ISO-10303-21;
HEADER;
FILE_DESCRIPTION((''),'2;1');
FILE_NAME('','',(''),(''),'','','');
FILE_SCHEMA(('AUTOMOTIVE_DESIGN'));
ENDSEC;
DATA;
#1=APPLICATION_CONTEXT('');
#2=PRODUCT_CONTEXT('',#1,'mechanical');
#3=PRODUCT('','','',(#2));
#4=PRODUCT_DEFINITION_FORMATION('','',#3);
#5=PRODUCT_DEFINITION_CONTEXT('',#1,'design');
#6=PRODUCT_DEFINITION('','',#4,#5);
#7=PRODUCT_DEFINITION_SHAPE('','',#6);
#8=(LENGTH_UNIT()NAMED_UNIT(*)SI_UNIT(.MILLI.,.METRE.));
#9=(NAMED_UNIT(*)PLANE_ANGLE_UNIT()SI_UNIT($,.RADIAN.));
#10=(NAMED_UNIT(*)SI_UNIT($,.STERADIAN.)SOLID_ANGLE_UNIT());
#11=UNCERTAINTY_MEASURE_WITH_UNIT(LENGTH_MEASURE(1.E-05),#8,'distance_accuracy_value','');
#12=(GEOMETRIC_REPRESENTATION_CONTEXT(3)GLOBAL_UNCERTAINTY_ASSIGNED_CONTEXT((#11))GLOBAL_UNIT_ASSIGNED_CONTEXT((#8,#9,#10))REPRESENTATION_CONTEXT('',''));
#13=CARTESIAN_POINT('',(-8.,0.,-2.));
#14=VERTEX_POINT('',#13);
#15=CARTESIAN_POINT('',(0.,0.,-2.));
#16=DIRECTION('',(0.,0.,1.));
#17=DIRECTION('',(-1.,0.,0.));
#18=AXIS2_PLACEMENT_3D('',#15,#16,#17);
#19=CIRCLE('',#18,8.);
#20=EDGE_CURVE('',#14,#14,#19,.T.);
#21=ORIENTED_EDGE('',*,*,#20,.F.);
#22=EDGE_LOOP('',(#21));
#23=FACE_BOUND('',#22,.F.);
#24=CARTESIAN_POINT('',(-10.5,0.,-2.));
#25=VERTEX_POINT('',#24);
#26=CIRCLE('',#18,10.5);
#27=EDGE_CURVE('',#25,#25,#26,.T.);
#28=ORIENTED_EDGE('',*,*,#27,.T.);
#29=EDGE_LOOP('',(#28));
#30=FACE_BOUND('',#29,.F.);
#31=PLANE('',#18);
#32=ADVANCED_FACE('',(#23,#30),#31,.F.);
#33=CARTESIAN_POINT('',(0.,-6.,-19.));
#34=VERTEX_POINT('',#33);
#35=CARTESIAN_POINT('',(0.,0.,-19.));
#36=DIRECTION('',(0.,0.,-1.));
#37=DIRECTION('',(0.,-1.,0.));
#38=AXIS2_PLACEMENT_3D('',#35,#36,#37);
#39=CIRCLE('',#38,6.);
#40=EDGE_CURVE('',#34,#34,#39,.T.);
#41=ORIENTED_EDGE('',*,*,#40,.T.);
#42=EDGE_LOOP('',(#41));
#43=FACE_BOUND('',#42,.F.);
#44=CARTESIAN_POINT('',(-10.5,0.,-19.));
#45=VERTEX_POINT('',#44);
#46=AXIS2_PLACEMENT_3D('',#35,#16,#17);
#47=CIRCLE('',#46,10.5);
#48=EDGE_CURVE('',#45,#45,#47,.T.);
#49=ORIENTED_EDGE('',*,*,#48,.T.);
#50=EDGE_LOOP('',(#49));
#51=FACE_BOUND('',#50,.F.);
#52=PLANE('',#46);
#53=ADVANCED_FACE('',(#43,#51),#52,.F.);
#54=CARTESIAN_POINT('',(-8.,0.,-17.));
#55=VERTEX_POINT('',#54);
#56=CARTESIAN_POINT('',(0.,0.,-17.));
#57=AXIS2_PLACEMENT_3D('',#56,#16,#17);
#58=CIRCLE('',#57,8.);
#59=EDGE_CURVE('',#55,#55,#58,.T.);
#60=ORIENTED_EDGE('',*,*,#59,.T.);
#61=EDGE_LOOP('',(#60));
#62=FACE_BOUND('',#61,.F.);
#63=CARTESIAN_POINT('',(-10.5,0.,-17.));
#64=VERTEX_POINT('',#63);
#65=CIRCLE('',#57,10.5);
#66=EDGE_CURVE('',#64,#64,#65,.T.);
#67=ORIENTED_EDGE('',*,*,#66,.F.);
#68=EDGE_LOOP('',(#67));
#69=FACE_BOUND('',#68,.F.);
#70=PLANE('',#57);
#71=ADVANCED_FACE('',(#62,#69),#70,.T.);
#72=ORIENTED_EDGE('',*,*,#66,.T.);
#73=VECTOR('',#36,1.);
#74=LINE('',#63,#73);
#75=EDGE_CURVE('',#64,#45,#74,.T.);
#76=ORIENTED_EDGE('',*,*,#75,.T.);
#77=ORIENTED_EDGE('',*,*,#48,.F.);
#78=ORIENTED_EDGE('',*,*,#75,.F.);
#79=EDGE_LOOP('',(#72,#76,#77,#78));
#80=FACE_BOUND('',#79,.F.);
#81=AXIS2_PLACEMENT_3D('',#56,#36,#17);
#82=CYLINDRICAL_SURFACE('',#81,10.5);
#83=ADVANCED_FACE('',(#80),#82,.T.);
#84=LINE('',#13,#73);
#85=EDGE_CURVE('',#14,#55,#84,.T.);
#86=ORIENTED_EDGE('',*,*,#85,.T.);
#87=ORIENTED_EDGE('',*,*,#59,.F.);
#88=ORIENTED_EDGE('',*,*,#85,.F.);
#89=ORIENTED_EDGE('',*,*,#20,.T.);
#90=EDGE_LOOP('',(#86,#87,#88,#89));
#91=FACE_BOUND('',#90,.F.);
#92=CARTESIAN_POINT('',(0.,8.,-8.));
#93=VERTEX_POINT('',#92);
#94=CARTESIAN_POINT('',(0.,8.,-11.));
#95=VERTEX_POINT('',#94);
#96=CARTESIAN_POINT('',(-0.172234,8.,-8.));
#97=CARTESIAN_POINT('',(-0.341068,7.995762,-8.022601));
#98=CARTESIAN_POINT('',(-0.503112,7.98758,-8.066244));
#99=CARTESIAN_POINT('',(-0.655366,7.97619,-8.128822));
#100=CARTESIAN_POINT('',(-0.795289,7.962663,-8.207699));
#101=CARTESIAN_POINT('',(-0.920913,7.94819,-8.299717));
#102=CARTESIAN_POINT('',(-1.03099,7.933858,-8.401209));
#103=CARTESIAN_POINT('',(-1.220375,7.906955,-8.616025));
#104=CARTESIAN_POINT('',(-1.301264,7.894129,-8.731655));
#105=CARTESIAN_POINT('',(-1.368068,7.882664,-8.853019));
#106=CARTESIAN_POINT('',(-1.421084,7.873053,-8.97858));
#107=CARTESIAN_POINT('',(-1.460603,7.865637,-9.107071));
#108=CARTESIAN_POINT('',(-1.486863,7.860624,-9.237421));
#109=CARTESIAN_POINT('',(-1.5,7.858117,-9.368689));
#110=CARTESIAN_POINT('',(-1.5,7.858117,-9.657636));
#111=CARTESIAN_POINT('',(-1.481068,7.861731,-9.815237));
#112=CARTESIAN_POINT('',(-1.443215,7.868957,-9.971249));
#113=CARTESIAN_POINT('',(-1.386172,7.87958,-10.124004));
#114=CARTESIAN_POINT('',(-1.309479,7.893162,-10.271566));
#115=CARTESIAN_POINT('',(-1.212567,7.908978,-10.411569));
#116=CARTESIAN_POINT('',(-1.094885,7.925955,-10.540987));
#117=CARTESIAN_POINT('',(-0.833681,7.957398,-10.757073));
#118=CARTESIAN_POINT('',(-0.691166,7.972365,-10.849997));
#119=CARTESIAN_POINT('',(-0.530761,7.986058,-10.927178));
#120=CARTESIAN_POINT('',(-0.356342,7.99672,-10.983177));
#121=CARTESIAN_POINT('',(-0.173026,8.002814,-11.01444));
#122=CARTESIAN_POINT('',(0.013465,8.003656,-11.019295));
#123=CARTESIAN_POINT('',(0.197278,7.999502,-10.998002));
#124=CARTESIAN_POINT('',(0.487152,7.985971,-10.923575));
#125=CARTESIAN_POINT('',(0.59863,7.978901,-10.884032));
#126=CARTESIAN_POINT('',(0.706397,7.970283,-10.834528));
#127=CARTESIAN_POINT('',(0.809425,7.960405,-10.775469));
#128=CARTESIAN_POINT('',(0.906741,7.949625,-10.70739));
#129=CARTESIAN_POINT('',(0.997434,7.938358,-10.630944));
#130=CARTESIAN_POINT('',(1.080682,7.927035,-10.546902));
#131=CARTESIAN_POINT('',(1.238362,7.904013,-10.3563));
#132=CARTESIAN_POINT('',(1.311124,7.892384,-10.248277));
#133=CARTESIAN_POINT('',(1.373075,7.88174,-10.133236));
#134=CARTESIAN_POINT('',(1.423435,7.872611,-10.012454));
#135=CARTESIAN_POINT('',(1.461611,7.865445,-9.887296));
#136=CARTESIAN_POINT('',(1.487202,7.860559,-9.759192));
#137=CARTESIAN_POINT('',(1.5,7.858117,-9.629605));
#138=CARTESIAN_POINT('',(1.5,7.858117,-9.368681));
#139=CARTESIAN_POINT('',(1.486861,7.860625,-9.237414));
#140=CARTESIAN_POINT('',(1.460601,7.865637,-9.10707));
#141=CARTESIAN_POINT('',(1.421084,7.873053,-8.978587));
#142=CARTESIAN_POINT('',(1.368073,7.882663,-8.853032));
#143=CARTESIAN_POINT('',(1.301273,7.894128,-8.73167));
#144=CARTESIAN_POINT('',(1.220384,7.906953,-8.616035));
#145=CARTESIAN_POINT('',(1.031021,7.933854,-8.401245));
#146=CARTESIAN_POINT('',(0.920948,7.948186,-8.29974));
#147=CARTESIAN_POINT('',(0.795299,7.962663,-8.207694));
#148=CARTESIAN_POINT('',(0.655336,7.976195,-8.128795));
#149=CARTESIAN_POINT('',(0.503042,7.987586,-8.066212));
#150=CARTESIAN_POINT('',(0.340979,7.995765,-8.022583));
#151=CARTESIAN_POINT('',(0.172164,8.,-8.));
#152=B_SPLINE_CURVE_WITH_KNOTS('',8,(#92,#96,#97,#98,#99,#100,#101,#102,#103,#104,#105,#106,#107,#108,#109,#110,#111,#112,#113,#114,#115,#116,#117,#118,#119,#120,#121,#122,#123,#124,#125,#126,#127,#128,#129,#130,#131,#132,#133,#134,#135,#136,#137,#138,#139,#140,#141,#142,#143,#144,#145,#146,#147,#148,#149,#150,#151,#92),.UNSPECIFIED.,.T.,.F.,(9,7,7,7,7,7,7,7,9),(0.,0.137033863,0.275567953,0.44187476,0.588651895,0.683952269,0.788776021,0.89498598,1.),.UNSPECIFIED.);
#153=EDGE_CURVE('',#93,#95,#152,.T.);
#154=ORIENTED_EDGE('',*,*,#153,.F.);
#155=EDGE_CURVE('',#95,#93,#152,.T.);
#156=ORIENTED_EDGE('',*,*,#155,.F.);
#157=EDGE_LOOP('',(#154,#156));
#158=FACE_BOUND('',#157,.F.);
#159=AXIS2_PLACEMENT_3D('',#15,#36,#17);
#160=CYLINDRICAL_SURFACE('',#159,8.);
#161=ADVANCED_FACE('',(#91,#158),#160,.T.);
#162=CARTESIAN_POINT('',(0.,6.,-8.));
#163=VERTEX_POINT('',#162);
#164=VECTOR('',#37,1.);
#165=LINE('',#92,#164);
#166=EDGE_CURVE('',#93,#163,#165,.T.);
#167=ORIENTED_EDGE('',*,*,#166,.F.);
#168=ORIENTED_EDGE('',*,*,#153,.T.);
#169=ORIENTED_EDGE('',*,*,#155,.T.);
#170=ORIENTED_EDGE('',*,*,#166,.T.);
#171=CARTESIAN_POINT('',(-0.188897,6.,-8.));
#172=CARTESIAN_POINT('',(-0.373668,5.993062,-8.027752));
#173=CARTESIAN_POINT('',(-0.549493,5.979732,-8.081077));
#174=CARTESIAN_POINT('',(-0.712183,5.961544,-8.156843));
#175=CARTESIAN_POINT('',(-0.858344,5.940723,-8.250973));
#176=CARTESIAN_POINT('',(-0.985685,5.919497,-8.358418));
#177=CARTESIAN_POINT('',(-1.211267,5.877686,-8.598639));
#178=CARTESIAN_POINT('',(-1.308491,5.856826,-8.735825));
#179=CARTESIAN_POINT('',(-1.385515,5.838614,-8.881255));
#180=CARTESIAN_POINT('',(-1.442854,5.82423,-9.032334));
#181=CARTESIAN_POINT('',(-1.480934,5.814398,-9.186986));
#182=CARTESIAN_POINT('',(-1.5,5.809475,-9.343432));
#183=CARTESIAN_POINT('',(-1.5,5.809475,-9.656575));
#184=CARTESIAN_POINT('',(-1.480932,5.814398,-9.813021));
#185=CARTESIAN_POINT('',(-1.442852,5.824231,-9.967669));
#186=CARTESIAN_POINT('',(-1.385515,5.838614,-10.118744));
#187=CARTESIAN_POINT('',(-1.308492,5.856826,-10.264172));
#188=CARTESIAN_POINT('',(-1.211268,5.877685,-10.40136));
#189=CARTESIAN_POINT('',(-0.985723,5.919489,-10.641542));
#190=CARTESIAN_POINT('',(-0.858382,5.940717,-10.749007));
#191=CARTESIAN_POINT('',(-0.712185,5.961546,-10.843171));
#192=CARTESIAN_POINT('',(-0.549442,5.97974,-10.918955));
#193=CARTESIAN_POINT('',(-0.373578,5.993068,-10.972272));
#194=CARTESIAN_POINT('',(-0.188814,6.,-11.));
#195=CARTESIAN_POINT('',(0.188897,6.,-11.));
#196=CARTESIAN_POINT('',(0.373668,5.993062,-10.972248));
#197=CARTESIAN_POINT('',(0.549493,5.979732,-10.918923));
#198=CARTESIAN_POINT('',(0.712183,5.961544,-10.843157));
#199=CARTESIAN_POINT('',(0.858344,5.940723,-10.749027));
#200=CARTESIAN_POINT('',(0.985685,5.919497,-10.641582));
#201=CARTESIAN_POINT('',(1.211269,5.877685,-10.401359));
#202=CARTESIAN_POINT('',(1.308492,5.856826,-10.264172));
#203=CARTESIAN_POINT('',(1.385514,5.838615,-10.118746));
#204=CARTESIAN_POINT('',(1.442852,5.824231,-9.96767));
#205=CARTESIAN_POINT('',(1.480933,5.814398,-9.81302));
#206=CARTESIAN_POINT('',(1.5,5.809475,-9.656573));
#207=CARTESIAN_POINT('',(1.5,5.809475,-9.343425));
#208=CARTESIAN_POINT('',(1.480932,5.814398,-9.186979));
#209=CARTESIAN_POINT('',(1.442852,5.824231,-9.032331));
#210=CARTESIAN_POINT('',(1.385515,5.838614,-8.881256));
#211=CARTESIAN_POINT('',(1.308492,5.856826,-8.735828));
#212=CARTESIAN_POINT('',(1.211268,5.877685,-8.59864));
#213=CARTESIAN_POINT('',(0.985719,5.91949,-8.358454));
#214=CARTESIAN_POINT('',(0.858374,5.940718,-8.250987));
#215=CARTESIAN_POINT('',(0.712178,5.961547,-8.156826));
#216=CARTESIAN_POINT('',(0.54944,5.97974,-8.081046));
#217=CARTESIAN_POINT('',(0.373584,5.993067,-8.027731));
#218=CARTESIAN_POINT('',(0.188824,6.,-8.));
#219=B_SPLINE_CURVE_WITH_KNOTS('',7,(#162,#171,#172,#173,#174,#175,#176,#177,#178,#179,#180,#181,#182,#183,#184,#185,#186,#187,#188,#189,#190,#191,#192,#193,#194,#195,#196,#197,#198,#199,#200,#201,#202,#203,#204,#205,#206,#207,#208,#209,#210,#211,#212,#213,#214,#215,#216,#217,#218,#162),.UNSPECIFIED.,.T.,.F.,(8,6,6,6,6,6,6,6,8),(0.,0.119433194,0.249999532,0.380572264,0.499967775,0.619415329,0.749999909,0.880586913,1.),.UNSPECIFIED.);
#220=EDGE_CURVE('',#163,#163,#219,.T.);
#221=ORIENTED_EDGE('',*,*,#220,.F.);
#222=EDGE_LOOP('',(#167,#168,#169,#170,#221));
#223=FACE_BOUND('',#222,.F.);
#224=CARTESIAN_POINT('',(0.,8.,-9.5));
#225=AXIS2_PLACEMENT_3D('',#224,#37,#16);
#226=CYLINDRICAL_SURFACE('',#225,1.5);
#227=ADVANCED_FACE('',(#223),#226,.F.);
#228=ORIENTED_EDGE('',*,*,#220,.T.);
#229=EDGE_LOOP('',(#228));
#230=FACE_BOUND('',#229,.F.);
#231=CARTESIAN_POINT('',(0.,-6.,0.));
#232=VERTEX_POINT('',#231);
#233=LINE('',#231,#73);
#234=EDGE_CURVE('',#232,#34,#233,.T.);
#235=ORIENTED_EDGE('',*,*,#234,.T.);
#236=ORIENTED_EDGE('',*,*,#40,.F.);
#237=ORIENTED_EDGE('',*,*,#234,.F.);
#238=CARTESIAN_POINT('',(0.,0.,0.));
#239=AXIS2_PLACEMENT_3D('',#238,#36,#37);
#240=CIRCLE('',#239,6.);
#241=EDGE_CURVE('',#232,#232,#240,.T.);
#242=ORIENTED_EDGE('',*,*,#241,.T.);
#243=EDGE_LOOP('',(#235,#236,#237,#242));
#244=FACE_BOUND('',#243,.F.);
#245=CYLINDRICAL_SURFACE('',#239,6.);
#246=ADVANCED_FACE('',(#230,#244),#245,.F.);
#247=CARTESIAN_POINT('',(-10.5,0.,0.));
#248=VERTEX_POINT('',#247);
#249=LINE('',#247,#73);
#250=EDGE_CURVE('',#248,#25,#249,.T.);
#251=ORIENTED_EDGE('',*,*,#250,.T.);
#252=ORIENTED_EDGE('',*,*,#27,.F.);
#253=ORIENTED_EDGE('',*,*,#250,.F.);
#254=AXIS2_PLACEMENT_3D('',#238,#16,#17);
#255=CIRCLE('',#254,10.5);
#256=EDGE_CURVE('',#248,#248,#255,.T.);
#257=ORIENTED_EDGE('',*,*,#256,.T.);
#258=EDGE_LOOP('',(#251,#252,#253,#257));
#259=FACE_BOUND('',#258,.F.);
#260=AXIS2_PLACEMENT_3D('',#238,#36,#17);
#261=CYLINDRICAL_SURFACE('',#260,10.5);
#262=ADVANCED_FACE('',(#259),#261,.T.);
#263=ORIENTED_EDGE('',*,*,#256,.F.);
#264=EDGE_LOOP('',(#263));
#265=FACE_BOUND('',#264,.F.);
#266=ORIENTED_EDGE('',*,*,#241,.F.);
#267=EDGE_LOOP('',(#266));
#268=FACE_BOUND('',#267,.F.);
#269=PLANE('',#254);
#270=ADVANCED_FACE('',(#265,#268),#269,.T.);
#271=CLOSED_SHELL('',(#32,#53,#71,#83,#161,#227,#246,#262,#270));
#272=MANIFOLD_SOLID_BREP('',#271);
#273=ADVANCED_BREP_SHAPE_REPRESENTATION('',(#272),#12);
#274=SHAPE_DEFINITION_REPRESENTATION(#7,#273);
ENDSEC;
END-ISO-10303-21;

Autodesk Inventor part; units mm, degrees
ref_plane "YZ Plane" through (0, 0, 0) normal (1, 0, 0) x (0, 1, 0)
ref_plane "XY Plane" through (0, 0, 0) normal (0, 0, 1) x (1, 0, 0)
sketch "Skizze1" plane through (0, 0, 0) normal (0, 1, 0) x (-1, 0, 0)
  line L0 (0, 0) -> (10.5, 0)
  line L1 (10.5, 0) -> (10.5, -2)
  line L2 (10.5, -2) -> (8, -2)
  line L3 (8, -2) -> (8, -17)
  line L4 (8, -17) -> (10.5, -17)
  line L5 (10.5, -17) -> (10.5, -19)
  line L6 (10.5, -19) -> (0, -19)
  line L7 (0, -19) -> (0, 0)
  point P0 (0, -9.5)
  dimension "d0" = 2
  dimension "d1" = 2
  dimension "d2" = 21
  dimension "d3" = 16
  dimension "d4" = 19
revolve "Umdrehung1" add sketch "Skizze1" angle 360 about axis through (0, 0, -19) along (0, 0, 1)
sketch "Skizze2" plane through (0, 0, 0) normal (0, 0, 1) x (1, 0, 0)
  circle A0 centre (0, 0) radius 10.5 projected
  point P0 (0, 0)
hole "Bohrung1" at (0, 0, 0) direction (0, 0, -1) diameter 12 end through all
ref_plane "Arbeitsebene1" through (0, 8, 0) normal (0, 1, 0) x (-1, 0, 0)
sketch "Skizze3" plane through (0, 8, 0) normal (0, 1, 0) x (-1, 0, 0)
  line L0 (10.5, 0) -> (-10.5, 0) projected
  point P0 (0, 0)
  point P1 (0, -9.5)
  point P2 (0, 0)
  dimension "d14" = 9.5
hole "Bohrung2" at (0, 8, -9.5) direction (0, -1, 0) diameter 3 depth 5
equation "\"d1\" = d0"
properties part number "2033" material "Blei"
